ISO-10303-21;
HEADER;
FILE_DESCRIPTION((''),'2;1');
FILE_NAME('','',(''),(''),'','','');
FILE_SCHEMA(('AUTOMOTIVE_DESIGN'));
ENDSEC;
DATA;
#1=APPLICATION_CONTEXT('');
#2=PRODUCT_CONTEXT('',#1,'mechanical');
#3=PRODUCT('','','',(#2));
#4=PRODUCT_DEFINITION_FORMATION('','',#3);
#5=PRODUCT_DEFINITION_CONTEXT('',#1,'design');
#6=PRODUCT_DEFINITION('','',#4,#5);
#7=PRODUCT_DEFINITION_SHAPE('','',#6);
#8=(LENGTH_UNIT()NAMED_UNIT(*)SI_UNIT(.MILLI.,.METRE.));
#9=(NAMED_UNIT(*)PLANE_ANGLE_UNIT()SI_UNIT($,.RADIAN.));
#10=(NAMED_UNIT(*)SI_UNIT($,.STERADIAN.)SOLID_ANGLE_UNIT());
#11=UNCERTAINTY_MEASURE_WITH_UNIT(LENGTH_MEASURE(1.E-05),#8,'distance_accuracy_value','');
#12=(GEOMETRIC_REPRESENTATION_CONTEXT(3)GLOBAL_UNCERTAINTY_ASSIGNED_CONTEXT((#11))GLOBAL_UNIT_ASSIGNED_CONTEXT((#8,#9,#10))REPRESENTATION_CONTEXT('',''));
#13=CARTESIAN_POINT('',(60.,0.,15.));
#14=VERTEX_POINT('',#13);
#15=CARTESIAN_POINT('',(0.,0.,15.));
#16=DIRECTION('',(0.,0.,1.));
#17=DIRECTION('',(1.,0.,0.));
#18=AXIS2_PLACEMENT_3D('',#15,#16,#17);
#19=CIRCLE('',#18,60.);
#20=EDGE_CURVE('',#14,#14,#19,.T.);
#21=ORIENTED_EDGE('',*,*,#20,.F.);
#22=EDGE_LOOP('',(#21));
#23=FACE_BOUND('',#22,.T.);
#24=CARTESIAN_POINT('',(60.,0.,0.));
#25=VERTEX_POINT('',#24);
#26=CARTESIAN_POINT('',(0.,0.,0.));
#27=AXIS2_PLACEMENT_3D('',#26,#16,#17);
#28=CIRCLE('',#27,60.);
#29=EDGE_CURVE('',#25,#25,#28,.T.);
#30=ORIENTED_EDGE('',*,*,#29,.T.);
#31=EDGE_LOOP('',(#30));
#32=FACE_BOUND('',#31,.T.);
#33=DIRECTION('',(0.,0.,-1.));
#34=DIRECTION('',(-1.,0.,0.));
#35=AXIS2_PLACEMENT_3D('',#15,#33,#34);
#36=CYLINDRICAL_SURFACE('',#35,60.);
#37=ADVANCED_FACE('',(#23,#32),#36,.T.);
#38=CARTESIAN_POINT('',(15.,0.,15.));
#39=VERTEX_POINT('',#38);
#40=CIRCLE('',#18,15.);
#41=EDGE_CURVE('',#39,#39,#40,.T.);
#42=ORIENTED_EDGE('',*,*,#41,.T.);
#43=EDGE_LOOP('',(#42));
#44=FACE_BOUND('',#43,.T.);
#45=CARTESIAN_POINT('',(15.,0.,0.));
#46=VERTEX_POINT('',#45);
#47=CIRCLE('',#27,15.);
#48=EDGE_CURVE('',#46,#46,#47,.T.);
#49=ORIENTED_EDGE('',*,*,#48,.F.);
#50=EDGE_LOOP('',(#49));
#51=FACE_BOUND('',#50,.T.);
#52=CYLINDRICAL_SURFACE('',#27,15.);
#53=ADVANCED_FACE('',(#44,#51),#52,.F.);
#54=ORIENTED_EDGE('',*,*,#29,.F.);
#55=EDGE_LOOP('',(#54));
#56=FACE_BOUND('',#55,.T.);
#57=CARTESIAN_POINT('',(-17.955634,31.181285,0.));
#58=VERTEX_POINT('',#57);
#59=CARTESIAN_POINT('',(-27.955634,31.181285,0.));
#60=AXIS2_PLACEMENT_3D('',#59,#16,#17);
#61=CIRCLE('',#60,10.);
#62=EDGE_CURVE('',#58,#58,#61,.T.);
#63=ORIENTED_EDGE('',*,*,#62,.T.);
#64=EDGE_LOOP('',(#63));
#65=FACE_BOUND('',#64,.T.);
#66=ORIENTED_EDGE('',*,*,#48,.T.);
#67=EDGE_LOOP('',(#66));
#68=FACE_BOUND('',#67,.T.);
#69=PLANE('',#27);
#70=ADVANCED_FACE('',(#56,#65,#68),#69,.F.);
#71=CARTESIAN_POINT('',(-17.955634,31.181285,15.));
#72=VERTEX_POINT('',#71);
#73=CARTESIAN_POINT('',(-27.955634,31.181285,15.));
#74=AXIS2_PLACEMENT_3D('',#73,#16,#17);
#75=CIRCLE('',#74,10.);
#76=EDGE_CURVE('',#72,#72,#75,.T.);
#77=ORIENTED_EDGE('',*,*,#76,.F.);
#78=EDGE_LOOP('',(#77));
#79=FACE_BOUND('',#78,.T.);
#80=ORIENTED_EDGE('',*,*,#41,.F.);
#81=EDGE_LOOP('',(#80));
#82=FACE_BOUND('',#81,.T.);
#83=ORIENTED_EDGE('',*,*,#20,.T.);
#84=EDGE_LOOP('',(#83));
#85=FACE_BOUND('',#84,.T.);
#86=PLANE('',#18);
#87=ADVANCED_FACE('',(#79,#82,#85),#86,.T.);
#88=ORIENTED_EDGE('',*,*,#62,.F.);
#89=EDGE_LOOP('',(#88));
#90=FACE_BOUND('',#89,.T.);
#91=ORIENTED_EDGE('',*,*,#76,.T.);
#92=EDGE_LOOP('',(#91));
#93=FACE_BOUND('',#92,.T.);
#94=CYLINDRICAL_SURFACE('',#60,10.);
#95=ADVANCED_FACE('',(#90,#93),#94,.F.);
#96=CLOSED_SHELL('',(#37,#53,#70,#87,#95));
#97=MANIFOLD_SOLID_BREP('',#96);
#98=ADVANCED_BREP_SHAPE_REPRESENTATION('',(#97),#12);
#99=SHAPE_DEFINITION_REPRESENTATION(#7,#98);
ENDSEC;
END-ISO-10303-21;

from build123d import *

# Parameters (mm, degrees)
SKETCH1_R           = 60
BOSS_EXTRUDE1_DEPTH = 15
SKETCH3_R           = 15
CUT_EXTRUDE1_DEPTH  = 15
SKETCH4_R           = 10
CUT_EXTRUDE2_DEPTH  = 15


with BuildPart() as part:
    # Sketch1 → Boss-Extrude1 (new body)
    with BuildSketch(Plane.XY):
        Circle(SKETCH1_R)
    extrude(amount=BOSS_EXTRUDE1_DEPTH)

    # Sketch3 → Cut-Extrude1 (cut)
    with BuildSketch(Plane.XY.offset(15)):
        Circle(SKETCH3_R)
    extrude(amount=-CUT_EXTRUDE1_DEPTH, mode=Mode.SUBTRACT)

    # Sketch4 → Cut-Extrude2 (cut)
    with BuildSketch(Plane.XY.offset(15)):
        with Locations((-27.955634388, 31.181284509)):
            Circle(SKETCH4_R)
    extrude(amount=-CUT_EXTRUDE2_DEPTH, mode=Mode.SUBTRACT)


solid = part.part
